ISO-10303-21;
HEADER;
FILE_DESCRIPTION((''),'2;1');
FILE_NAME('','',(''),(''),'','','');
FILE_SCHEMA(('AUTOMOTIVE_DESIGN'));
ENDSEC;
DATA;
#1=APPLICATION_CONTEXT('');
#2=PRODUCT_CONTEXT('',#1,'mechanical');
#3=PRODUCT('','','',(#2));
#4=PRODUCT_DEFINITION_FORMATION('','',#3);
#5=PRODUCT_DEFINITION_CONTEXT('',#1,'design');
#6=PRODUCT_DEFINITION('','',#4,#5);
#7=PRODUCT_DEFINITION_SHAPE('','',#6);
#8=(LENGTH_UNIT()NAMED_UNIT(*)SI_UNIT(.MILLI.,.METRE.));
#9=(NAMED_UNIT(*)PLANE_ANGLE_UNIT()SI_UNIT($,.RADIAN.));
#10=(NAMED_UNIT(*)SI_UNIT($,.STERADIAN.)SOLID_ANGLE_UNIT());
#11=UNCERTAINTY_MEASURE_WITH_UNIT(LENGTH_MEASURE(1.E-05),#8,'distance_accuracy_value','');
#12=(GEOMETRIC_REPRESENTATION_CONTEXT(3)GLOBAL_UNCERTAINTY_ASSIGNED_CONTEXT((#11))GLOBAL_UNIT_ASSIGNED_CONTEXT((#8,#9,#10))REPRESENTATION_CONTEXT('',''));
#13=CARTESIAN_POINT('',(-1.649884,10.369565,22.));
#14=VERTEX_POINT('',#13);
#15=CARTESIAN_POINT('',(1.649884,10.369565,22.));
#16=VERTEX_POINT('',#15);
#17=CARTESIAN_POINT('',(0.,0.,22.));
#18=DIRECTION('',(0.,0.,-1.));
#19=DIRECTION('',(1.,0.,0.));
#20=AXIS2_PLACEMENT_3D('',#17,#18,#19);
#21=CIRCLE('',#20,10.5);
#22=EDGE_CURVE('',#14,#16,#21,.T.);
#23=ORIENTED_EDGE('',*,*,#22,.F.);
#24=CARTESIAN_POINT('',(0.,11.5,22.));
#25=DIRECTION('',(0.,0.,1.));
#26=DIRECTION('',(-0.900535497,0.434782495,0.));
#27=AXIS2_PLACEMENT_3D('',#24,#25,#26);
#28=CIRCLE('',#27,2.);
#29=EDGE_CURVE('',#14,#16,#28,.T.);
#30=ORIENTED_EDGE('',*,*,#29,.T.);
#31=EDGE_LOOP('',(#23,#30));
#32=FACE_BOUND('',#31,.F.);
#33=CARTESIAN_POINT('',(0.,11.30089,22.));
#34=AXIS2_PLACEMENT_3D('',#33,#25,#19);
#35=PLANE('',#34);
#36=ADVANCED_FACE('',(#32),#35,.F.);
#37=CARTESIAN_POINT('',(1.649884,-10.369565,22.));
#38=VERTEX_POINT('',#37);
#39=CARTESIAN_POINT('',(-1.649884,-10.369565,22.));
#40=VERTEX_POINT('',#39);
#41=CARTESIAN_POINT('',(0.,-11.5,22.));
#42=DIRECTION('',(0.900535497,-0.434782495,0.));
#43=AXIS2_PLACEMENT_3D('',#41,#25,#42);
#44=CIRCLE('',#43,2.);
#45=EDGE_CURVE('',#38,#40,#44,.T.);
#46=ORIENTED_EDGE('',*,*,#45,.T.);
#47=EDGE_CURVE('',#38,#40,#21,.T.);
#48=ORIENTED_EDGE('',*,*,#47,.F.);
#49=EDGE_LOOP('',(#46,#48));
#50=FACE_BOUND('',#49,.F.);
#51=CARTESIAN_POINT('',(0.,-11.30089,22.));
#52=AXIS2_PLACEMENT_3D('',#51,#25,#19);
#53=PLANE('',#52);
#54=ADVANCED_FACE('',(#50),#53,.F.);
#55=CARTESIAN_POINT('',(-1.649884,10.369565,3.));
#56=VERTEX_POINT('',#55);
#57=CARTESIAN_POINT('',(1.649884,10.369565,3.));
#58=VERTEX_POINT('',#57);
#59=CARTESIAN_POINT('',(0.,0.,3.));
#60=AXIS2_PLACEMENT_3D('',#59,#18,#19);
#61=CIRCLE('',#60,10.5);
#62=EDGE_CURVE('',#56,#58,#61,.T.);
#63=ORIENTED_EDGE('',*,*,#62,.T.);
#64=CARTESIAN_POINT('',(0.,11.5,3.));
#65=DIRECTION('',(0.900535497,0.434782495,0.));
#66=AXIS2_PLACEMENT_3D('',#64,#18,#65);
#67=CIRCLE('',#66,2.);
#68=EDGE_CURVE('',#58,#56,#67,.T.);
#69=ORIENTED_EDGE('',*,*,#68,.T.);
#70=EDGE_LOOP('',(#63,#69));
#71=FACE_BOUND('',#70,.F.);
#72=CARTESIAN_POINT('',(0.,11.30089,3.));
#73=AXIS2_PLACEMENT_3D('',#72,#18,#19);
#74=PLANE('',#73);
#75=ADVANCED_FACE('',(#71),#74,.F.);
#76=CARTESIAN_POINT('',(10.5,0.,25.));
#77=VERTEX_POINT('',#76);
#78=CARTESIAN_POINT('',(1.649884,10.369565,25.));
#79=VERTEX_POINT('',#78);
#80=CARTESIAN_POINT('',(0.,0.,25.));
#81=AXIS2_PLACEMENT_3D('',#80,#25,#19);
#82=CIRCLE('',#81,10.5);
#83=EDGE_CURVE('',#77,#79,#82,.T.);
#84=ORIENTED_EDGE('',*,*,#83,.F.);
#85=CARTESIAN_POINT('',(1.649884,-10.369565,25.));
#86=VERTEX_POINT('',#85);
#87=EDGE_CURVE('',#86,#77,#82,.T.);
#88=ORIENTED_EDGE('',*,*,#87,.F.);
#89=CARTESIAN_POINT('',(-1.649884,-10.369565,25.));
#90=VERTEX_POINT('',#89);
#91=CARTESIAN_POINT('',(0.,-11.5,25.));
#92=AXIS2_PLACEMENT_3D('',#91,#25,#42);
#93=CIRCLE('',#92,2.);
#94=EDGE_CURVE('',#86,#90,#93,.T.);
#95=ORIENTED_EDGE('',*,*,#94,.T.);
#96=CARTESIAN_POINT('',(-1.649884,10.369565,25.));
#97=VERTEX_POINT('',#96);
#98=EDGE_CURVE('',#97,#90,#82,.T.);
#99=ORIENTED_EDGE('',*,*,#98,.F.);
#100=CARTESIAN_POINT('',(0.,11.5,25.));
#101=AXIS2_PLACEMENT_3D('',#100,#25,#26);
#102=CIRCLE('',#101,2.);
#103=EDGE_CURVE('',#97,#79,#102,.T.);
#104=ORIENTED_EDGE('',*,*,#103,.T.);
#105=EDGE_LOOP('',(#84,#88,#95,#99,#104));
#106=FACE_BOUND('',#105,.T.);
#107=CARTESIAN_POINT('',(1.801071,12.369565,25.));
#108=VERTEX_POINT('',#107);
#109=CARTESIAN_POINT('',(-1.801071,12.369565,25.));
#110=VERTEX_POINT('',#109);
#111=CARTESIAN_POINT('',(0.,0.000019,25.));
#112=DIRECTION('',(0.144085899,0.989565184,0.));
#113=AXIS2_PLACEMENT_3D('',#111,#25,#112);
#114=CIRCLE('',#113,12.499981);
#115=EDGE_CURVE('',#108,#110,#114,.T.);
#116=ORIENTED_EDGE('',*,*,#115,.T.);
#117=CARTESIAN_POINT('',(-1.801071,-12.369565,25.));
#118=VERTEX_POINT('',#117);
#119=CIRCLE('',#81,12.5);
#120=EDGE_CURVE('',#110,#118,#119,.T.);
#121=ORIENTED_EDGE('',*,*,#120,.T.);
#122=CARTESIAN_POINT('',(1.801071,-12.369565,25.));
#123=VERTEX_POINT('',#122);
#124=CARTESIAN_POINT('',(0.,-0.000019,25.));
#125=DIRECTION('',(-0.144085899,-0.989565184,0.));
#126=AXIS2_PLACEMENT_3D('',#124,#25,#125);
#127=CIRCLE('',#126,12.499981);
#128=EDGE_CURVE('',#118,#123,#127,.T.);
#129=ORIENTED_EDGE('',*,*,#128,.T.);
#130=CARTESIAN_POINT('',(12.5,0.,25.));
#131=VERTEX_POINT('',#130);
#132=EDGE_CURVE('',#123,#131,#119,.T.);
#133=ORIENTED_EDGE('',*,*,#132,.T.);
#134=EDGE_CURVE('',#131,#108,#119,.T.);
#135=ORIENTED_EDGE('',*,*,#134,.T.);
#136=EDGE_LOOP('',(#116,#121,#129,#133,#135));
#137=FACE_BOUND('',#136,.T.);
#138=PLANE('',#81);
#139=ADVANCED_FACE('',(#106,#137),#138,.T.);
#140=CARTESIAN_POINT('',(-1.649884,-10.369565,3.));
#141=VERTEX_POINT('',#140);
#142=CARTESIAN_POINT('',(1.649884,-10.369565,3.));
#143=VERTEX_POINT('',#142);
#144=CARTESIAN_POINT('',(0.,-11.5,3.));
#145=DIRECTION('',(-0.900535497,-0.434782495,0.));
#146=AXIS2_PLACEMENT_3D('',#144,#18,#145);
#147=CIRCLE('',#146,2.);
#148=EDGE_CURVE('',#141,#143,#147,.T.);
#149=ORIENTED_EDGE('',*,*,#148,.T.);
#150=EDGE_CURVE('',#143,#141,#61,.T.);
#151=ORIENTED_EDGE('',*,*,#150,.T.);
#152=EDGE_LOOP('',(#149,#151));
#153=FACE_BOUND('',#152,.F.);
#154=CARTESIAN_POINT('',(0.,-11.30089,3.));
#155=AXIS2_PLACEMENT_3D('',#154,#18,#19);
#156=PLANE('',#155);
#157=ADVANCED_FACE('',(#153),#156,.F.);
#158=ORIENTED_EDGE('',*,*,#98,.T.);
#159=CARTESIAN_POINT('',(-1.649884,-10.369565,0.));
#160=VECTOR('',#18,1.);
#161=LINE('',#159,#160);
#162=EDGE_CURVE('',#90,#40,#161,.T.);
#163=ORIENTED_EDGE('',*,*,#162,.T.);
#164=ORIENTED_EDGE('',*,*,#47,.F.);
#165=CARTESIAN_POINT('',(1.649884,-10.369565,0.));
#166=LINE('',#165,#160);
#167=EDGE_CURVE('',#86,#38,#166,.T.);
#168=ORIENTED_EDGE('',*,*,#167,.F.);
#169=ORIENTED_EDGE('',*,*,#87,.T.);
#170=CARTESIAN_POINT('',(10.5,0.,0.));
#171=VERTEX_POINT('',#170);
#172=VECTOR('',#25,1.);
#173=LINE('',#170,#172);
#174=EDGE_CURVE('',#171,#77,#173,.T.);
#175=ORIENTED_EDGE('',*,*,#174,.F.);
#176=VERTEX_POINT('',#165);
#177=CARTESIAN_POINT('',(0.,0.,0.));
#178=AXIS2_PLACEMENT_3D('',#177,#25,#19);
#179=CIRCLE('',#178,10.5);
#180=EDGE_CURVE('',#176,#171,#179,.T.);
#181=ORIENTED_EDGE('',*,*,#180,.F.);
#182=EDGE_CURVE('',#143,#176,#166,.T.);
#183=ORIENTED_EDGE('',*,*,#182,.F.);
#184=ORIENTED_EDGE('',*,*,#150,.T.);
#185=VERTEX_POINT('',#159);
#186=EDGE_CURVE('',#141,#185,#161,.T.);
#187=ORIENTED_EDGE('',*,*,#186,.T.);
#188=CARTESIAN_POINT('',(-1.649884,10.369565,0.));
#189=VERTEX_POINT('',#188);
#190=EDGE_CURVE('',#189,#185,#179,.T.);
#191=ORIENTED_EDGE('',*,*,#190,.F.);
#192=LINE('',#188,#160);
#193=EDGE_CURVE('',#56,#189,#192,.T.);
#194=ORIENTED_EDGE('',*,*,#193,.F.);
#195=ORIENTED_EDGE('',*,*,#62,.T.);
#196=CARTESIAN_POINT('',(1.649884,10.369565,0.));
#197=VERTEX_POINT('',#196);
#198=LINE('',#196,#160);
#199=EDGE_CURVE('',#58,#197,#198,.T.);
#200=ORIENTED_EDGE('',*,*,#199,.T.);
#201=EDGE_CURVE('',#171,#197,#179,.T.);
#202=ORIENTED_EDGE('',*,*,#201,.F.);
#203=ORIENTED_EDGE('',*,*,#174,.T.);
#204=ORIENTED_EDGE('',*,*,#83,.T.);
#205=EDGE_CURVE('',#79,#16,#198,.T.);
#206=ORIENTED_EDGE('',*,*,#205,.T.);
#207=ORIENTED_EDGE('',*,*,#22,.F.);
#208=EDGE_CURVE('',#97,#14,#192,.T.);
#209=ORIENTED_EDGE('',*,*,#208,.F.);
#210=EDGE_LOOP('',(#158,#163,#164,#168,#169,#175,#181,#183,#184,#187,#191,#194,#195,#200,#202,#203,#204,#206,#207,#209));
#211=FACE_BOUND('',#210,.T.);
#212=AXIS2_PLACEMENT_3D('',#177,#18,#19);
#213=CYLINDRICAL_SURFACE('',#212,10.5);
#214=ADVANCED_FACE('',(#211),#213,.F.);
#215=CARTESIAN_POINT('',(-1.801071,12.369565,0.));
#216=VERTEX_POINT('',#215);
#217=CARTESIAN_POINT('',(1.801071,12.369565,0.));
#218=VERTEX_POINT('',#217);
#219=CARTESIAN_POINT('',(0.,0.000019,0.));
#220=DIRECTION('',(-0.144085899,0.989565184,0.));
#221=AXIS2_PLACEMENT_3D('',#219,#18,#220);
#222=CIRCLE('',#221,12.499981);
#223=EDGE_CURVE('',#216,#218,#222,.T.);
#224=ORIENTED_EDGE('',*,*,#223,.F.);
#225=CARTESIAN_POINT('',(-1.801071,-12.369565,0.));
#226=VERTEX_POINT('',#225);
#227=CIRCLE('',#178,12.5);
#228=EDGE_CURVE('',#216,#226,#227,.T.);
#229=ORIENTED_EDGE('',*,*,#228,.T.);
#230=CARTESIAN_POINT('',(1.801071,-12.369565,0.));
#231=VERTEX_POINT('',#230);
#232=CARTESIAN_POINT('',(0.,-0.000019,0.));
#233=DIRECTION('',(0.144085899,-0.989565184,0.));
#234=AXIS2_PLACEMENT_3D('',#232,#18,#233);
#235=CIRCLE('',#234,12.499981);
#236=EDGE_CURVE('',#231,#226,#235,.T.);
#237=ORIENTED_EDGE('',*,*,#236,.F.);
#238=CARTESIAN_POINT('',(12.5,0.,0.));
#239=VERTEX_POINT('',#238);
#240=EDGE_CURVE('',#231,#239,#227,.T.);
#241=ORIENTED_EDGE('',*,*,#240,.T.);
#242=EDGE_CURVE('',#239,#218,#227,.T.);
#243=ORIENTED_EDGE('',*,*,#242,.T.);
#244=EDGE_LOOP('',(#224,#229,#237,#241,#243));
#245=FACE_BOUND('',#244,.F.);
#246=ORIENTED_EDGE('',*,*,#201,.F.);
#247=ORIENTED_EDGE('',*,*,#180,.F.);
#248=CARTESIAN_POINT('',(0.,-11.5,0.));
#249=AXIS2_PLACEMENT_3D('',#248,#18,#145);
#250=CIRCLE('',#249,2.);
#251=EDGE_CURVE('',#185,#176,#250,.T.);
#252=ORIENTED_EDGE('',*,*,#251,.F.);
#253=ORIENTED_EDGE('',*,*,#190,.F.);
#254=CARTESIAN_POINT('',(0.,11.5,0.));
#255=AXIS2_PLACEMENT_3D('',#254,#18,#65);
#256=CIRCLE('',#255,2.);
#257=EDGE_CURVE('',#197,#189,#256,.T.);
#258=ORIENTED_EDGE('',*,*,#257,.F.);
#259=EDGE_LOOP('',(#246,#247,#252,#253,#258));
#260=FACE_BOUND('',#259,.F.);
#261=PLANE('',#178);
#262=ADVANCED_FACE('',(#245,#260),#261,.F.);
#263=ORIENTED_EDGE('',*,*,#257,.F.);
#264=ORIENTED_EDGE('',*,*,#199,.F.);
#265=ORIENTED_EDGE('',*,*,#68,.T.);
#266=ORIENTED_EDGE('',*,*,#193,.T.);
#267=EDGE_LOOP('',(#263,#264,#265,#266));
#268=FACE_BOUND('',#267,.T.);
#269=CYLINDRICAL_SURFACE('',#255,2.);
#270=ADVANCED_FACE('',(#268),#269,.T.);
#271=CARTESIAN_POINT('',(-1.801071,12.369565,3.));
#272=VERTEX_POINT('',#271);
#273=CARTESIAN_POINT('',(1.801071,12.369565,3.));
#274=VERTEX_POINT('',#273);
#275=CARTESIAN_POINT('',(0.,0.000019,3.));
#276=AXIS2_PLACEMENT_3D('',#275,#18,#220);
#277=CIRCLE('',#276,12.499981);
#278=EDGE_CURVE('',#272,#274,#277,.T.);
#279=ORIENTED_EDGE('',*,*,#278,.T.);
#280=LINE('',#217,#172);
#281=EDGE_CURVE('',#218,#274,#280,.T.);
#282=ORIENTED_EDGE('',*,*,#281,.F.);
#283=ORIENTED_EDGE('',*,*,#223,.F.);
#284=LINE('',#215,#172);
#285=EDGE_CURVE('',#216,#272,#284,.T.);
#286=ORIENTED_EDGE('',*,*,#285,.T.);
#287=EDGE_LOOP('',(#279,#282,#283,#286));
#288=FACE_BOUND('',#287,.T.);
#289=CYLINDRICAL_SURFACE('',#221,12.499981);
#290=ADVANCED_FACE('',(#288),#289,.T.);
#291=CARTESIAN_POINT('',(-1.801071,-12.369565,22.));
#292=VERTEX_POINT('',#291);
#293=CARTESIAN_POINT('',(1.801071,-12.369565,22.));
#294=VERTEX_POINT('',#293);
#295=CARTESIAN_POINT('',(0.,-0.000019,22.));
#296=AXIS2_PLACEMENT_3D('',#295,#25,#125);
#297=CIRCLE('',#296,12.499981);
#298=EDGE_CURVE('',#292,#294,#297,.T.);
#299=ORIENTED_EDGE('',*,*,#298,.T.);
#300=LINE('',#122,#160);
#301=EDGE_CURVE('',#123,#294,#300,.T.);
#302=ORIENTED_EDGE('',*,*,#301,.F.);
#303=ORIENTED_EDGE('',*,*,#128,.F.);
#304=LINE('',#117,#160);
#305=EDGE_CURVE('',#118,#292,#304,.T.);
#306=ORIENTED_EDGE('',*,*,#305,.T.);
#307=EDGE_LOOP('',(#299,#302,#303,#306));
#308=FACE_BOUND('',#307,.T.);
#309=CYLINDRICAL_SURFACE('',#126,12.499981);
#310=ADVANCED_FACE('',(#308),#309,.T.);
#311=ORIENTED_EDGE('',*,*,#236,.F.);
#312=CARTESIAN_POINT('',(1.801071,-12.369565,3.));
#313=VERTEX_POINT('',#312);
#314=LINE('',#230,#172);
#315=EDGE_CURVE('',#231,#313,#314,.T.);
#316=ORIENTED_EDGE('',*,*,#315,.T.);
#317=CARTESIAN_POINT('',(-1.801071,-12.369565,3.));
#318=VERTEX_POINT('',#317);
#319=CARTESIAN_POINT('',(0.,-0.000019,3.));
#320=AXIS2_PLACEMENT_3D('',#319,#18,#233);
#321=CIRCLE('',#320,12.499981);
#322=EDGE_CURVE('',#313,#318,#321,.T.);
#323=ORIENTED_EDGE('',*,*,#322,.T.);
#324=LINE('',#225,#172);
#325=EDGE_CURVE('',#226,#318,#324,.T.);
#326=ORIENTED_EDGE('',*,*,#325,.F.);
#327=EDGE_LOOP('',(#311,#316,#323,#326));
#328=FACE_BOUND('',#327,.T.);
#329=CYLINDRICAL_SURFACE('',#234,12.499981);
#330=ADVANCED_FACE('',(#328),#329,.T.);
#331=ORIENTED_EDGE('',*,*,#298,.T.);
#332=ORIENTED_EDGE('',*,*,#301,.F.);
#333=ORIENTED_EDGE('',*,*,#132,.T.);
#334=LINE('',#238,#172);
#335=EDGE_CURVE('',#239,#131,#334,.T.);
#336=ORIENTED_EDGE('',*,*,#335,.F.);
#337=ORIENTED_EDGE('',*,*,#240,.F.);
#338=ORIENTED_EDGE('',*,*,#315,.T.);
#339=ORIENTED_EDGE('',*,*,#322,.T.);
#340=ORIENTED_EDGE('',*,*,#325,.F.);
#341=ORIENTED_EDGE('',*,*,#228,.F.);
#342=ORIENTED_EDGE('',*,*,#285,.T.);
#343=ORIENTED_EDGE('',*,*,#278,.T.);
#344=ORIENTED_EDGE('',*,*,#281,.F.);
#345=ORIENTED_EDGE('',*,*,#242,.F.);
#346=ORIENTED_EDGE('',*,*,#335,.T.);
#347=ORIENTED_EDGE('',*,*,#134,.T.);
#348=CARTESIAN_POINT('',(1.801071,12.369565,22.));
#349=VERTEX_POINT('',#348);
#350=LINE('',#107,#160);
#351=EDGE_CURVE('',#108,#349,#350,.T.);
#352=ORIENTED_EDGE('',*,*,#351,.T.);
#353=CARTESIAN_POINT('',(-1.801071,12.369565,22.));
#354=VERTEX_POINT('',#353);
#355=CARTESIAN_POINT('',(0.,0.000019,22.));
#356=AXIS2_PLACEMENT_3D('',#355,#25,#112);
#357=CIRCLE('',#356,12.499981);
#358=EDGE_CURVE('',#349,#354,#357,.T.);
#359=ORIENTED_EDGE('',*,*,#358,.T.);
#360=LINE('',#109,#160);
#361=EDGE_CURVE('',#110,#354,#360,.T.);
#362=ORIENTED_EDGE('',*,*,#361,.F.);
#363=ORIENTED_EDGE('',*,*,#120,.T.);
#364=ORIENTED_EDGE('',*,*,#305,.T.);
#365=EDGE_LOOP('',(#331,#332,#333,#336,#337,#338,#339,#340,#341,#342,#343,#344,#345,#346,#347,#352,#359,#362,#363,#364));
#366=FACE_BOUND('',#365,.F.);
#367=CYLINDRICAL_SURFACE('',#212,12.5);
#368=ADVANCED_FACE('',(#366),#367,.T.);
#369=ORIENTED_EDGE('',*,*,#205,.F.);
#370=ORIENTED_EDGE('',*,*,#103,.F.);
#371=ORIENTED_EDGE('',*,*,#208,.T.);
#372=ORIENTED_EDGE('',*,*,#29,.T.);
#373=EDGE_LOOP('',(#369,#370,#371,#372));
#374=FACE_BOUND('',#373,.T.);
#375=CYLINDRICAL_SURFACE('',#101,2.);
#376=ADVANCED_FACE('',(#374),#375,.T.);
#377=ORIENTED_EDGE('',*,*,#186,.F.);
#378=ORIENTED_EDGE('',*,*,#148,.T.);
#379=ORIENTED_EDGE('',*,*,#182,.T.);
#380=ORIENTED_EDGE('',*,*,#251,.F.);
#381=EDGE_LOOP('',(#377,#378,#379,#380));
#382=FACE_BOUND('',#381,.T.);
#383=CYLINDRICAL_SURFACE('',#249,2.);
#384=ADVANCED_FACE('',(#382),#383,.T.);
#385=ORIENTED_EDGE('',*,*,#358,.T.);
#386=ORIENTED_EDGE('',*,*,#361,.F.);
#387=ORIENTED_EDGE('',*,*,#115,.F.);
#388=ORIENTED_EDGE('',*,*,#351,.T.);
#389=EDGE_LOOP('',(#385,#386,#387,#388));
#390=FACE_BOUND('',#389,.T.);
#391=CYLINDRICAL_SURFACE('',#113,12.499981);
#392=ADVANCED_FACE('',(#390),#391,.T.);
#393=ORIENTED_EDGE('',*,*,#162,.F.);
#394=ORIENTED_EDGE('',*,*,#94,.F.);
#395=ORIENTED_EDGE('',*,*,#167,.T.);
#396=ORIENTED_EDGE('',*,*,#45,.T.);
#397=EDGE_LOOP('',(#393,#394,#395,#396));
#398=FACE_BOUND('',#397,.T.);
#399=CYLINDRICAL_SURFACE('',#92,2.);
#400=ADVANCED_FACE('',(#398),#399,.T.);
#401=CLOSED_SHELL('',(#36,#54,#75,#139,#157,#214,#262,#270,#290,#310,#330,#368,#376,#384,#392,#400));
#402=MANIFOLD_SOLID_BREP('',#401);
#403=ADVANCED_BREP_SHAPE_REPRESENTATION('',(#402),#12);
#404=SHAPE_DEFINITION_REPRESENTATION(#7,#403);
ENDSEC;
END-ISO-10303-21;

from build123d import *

# Parameters (mm, degrees)
F0_R     = 12.5
F0_R_2   = 10.5
F1_DEPTH = 25
F3_DEPTH = 3
F5_DEPTH = 3


with BuildPart() as f1:
    # F0 (on Top) → F1 (new body)
    with BuildSketch(Plane.XY):
        Circle(F0_R)
        Circle(F0_R_2, mode=Mode.SUBTRACT)
    extrude(amount=F1_DEPTH)

    # F2 (on face) → F3 (join)
    with BuildSketch(Plane.XY.offset(25)):
        with BuildLine():
            ThreePointArc((1.801071, 12.369565), (0, 12.5), (-1.801071, 12.369565))
            ThreePointArc((-1.801071, 12.369565), (0, 9.5), (1.801071, 12.369565))
        make_face()
        with BuildLine():
            ThreePointArc((1.801071, -12.369565), (0, -9.5), (-1.801071, -12.369565))
            ThreePointArc((-1.801071, -12.369565), (0, -12.5), (1.801071, -12.369565))
        make_face()
    extrude(amount=-F3_DEPTH)

    # F4 (on face) → F5 (join)
    with BuildSketch(Plane(origin=(0, 0, 0), x_dir=(1, 0, 0), z_dir=(0, 0, -1))):
        with BuildLine():
            ThreePointArc((1.801071, 12.369565), (0, 12.5), (-1.801071, 12.369565))
            ThreePointArc((-1.801071, 12.369565), (0, 9.5), (1.801071, 12.369565))
        make_face()
        with BuildLine():
            ThreePointArc((1.801071, -12.369565), (0, -9.5), (-1.801071, -12.369565))
            ThreePointArc((-1.801071, -12.369565), (0, -12.5), (1.801071, -12.369565))
        make_face()
    extrude(amount=-F5_DEPTH)


solid = f1.part
